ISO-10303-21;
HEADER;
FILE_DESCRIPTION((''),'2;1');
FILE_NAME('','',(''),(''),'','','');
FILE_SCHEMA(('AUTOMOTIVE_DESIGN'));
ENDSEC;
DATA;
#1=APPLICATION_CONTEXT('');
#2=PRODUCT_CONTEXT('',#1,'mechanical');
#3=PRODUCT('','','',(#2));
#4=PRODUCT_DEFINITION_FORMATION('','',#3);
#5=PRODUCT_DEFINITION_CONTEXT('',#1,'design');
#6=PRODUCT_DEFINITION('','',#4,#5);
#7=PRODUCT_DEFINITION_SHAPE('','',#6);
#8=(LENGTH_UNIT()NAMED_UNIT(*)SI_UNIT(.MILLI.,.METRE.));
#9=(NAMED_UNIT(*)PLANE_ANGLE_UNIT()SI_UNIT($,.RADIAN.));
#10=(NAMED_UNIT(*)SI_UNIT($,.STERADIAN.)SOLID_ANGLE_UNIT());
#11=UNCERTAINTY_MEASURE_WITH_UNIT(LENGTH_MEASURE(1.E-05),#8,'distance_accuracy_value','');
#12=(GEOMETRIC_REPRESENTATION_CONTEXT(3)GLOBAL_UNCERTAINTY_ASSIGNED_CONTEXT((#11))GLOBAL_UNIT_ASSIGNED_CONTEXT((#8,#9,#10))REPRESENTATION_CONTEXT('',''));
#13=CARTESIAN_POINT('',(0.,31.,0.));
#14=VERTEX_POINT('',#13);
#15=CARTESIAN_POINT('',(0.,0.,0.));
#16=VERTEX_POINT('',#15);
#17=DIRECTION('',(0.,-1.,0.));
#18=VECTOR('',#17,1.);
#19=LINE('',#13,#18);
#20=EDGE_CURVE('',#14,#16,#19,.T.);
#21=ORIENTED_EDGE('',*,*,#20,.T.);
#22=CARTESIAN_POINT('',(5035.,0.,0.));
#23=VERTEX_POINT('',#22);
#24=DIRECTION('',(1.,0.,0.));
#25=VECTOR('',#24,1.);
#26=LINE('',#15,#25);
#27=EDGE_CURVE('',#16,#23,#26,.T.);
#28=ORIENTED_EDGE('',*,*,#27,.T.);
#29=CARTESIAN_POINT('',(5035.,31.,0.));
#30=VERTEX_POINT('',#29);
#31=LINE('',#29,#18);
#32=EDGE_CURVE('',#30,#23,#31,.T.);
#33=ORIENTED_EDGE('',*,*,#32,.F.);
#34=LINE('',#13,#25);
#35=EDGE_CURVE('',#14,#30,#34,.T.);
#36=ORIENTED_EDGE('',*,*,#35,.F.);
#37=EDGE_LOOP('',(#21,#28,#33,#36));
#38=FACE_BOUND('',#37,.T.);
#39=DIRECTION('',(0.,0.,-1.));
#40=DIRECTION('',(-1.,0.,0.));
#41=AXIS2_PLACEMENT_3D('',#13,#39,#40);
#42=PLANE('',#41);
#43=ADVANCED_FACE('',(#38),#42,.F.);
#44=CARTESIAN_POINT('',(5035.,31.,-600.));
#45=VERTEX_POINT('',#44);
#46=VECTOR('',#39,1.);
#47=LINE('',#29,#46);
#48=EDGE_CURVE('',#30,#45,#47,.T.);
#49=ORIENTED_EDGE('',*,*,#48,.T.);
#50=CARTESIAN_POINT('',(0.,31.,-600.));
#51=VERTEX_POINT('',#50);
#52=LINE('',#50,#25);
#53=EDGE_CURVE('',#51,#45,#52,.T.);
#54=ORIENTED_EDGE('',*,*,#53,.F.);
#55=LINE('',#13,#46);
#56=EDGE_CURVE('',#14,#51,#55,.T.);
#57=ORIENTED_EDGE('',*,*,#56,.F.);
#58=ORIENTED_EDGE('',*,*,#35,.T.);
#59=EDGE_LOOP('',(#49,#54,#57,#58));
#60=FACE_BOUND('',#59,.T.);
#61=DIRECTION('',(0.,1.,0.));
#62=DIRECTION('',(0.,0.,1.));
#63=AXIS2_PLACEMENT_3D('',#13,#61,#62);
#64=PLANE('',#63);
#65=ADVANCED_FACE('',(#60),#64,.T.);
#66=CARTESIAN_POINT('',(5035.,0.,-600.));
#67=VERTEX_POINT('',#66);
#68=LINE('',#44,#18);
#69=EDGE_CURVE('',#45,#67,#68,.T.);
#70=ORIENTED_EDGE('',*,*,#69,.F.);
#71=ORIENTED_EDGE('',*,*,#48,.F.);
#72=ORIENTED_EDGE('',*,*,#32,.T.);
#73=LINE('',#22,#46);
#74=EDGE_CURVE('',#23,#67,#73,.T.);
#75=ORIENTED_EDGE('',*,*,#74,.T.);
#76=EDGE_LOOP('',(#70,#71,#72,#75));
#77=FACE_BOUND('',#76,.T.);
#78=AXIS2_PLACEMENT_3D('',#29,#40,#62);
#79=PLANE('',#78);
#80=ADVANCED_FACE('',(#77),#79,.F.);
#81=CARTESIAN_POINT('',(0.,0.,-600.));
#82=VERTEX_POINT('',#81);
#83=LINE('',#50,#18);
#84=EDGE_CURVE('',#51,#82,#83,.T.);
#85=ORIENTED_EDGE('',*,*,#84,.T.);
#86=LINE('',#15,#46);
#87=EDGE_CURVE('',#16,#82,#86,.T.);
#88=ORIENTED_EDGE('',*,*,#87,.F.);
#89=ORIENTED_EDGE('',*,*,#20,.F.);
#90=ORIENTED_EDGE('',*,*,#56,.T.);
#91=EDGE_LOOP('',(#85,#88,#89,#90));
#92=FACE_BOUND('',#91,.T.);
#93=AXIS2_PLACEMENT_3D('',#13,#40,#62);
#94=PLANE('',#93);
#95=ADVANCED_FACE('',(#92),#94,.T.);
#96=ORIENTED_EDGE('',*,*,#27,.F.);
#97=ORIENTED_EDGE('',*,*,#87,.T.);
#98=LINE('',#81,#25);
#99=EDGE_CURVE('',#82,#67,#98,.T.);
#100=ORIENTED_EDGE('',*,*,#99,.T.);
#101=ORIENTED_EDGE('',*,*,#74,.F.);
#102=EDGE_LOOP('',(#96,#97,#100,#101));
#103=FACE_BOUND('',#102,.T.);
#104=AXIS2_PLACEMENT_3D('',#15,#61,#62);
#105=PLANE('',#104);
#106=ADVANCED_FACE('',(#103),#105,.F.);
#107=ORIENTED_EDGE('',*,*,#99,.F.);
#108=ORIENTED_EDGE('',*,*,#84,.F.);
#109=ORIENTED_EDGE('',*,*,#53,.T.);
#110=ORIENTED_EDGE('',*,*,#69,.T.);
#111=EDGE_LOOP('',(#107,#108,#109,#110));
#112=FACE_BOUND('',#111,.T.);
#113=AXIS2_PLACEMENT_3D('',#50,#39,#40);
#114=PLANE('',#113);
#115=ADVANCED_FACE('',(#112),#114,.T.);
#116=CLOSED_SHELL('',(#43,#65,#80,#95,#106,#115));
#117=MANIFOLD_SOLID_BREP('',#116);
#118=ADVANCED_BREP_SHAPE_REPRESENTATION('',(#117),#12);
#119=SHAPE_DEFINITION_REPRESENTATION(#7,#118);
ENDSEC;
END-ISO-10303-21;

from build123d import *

# Parameters (mm, degrees)
SKIZZE1_W                       = 5035
SKIZZE1_H                       = 600
AUFSATZ_LINEAR_AUSTRAGEN1_DEPTH = 31


with BuildPart() as part:
    # Skizze1 → Aufsatz-Linear austragen1 (new body)
    with BuildSketch(Plane(origin=(0, 0, 0), x_dir=(1, 0, 0), z_dir=(0, 1, 0))):
        with Locations((2517.5, 300)):
            Rectangle(SKIZZE1_W, SKIZZE1_H)
    extrude(amount=AUFSATZ_LINEAR_AUSTRAGEN1_DEPTH)


solid = part.part
